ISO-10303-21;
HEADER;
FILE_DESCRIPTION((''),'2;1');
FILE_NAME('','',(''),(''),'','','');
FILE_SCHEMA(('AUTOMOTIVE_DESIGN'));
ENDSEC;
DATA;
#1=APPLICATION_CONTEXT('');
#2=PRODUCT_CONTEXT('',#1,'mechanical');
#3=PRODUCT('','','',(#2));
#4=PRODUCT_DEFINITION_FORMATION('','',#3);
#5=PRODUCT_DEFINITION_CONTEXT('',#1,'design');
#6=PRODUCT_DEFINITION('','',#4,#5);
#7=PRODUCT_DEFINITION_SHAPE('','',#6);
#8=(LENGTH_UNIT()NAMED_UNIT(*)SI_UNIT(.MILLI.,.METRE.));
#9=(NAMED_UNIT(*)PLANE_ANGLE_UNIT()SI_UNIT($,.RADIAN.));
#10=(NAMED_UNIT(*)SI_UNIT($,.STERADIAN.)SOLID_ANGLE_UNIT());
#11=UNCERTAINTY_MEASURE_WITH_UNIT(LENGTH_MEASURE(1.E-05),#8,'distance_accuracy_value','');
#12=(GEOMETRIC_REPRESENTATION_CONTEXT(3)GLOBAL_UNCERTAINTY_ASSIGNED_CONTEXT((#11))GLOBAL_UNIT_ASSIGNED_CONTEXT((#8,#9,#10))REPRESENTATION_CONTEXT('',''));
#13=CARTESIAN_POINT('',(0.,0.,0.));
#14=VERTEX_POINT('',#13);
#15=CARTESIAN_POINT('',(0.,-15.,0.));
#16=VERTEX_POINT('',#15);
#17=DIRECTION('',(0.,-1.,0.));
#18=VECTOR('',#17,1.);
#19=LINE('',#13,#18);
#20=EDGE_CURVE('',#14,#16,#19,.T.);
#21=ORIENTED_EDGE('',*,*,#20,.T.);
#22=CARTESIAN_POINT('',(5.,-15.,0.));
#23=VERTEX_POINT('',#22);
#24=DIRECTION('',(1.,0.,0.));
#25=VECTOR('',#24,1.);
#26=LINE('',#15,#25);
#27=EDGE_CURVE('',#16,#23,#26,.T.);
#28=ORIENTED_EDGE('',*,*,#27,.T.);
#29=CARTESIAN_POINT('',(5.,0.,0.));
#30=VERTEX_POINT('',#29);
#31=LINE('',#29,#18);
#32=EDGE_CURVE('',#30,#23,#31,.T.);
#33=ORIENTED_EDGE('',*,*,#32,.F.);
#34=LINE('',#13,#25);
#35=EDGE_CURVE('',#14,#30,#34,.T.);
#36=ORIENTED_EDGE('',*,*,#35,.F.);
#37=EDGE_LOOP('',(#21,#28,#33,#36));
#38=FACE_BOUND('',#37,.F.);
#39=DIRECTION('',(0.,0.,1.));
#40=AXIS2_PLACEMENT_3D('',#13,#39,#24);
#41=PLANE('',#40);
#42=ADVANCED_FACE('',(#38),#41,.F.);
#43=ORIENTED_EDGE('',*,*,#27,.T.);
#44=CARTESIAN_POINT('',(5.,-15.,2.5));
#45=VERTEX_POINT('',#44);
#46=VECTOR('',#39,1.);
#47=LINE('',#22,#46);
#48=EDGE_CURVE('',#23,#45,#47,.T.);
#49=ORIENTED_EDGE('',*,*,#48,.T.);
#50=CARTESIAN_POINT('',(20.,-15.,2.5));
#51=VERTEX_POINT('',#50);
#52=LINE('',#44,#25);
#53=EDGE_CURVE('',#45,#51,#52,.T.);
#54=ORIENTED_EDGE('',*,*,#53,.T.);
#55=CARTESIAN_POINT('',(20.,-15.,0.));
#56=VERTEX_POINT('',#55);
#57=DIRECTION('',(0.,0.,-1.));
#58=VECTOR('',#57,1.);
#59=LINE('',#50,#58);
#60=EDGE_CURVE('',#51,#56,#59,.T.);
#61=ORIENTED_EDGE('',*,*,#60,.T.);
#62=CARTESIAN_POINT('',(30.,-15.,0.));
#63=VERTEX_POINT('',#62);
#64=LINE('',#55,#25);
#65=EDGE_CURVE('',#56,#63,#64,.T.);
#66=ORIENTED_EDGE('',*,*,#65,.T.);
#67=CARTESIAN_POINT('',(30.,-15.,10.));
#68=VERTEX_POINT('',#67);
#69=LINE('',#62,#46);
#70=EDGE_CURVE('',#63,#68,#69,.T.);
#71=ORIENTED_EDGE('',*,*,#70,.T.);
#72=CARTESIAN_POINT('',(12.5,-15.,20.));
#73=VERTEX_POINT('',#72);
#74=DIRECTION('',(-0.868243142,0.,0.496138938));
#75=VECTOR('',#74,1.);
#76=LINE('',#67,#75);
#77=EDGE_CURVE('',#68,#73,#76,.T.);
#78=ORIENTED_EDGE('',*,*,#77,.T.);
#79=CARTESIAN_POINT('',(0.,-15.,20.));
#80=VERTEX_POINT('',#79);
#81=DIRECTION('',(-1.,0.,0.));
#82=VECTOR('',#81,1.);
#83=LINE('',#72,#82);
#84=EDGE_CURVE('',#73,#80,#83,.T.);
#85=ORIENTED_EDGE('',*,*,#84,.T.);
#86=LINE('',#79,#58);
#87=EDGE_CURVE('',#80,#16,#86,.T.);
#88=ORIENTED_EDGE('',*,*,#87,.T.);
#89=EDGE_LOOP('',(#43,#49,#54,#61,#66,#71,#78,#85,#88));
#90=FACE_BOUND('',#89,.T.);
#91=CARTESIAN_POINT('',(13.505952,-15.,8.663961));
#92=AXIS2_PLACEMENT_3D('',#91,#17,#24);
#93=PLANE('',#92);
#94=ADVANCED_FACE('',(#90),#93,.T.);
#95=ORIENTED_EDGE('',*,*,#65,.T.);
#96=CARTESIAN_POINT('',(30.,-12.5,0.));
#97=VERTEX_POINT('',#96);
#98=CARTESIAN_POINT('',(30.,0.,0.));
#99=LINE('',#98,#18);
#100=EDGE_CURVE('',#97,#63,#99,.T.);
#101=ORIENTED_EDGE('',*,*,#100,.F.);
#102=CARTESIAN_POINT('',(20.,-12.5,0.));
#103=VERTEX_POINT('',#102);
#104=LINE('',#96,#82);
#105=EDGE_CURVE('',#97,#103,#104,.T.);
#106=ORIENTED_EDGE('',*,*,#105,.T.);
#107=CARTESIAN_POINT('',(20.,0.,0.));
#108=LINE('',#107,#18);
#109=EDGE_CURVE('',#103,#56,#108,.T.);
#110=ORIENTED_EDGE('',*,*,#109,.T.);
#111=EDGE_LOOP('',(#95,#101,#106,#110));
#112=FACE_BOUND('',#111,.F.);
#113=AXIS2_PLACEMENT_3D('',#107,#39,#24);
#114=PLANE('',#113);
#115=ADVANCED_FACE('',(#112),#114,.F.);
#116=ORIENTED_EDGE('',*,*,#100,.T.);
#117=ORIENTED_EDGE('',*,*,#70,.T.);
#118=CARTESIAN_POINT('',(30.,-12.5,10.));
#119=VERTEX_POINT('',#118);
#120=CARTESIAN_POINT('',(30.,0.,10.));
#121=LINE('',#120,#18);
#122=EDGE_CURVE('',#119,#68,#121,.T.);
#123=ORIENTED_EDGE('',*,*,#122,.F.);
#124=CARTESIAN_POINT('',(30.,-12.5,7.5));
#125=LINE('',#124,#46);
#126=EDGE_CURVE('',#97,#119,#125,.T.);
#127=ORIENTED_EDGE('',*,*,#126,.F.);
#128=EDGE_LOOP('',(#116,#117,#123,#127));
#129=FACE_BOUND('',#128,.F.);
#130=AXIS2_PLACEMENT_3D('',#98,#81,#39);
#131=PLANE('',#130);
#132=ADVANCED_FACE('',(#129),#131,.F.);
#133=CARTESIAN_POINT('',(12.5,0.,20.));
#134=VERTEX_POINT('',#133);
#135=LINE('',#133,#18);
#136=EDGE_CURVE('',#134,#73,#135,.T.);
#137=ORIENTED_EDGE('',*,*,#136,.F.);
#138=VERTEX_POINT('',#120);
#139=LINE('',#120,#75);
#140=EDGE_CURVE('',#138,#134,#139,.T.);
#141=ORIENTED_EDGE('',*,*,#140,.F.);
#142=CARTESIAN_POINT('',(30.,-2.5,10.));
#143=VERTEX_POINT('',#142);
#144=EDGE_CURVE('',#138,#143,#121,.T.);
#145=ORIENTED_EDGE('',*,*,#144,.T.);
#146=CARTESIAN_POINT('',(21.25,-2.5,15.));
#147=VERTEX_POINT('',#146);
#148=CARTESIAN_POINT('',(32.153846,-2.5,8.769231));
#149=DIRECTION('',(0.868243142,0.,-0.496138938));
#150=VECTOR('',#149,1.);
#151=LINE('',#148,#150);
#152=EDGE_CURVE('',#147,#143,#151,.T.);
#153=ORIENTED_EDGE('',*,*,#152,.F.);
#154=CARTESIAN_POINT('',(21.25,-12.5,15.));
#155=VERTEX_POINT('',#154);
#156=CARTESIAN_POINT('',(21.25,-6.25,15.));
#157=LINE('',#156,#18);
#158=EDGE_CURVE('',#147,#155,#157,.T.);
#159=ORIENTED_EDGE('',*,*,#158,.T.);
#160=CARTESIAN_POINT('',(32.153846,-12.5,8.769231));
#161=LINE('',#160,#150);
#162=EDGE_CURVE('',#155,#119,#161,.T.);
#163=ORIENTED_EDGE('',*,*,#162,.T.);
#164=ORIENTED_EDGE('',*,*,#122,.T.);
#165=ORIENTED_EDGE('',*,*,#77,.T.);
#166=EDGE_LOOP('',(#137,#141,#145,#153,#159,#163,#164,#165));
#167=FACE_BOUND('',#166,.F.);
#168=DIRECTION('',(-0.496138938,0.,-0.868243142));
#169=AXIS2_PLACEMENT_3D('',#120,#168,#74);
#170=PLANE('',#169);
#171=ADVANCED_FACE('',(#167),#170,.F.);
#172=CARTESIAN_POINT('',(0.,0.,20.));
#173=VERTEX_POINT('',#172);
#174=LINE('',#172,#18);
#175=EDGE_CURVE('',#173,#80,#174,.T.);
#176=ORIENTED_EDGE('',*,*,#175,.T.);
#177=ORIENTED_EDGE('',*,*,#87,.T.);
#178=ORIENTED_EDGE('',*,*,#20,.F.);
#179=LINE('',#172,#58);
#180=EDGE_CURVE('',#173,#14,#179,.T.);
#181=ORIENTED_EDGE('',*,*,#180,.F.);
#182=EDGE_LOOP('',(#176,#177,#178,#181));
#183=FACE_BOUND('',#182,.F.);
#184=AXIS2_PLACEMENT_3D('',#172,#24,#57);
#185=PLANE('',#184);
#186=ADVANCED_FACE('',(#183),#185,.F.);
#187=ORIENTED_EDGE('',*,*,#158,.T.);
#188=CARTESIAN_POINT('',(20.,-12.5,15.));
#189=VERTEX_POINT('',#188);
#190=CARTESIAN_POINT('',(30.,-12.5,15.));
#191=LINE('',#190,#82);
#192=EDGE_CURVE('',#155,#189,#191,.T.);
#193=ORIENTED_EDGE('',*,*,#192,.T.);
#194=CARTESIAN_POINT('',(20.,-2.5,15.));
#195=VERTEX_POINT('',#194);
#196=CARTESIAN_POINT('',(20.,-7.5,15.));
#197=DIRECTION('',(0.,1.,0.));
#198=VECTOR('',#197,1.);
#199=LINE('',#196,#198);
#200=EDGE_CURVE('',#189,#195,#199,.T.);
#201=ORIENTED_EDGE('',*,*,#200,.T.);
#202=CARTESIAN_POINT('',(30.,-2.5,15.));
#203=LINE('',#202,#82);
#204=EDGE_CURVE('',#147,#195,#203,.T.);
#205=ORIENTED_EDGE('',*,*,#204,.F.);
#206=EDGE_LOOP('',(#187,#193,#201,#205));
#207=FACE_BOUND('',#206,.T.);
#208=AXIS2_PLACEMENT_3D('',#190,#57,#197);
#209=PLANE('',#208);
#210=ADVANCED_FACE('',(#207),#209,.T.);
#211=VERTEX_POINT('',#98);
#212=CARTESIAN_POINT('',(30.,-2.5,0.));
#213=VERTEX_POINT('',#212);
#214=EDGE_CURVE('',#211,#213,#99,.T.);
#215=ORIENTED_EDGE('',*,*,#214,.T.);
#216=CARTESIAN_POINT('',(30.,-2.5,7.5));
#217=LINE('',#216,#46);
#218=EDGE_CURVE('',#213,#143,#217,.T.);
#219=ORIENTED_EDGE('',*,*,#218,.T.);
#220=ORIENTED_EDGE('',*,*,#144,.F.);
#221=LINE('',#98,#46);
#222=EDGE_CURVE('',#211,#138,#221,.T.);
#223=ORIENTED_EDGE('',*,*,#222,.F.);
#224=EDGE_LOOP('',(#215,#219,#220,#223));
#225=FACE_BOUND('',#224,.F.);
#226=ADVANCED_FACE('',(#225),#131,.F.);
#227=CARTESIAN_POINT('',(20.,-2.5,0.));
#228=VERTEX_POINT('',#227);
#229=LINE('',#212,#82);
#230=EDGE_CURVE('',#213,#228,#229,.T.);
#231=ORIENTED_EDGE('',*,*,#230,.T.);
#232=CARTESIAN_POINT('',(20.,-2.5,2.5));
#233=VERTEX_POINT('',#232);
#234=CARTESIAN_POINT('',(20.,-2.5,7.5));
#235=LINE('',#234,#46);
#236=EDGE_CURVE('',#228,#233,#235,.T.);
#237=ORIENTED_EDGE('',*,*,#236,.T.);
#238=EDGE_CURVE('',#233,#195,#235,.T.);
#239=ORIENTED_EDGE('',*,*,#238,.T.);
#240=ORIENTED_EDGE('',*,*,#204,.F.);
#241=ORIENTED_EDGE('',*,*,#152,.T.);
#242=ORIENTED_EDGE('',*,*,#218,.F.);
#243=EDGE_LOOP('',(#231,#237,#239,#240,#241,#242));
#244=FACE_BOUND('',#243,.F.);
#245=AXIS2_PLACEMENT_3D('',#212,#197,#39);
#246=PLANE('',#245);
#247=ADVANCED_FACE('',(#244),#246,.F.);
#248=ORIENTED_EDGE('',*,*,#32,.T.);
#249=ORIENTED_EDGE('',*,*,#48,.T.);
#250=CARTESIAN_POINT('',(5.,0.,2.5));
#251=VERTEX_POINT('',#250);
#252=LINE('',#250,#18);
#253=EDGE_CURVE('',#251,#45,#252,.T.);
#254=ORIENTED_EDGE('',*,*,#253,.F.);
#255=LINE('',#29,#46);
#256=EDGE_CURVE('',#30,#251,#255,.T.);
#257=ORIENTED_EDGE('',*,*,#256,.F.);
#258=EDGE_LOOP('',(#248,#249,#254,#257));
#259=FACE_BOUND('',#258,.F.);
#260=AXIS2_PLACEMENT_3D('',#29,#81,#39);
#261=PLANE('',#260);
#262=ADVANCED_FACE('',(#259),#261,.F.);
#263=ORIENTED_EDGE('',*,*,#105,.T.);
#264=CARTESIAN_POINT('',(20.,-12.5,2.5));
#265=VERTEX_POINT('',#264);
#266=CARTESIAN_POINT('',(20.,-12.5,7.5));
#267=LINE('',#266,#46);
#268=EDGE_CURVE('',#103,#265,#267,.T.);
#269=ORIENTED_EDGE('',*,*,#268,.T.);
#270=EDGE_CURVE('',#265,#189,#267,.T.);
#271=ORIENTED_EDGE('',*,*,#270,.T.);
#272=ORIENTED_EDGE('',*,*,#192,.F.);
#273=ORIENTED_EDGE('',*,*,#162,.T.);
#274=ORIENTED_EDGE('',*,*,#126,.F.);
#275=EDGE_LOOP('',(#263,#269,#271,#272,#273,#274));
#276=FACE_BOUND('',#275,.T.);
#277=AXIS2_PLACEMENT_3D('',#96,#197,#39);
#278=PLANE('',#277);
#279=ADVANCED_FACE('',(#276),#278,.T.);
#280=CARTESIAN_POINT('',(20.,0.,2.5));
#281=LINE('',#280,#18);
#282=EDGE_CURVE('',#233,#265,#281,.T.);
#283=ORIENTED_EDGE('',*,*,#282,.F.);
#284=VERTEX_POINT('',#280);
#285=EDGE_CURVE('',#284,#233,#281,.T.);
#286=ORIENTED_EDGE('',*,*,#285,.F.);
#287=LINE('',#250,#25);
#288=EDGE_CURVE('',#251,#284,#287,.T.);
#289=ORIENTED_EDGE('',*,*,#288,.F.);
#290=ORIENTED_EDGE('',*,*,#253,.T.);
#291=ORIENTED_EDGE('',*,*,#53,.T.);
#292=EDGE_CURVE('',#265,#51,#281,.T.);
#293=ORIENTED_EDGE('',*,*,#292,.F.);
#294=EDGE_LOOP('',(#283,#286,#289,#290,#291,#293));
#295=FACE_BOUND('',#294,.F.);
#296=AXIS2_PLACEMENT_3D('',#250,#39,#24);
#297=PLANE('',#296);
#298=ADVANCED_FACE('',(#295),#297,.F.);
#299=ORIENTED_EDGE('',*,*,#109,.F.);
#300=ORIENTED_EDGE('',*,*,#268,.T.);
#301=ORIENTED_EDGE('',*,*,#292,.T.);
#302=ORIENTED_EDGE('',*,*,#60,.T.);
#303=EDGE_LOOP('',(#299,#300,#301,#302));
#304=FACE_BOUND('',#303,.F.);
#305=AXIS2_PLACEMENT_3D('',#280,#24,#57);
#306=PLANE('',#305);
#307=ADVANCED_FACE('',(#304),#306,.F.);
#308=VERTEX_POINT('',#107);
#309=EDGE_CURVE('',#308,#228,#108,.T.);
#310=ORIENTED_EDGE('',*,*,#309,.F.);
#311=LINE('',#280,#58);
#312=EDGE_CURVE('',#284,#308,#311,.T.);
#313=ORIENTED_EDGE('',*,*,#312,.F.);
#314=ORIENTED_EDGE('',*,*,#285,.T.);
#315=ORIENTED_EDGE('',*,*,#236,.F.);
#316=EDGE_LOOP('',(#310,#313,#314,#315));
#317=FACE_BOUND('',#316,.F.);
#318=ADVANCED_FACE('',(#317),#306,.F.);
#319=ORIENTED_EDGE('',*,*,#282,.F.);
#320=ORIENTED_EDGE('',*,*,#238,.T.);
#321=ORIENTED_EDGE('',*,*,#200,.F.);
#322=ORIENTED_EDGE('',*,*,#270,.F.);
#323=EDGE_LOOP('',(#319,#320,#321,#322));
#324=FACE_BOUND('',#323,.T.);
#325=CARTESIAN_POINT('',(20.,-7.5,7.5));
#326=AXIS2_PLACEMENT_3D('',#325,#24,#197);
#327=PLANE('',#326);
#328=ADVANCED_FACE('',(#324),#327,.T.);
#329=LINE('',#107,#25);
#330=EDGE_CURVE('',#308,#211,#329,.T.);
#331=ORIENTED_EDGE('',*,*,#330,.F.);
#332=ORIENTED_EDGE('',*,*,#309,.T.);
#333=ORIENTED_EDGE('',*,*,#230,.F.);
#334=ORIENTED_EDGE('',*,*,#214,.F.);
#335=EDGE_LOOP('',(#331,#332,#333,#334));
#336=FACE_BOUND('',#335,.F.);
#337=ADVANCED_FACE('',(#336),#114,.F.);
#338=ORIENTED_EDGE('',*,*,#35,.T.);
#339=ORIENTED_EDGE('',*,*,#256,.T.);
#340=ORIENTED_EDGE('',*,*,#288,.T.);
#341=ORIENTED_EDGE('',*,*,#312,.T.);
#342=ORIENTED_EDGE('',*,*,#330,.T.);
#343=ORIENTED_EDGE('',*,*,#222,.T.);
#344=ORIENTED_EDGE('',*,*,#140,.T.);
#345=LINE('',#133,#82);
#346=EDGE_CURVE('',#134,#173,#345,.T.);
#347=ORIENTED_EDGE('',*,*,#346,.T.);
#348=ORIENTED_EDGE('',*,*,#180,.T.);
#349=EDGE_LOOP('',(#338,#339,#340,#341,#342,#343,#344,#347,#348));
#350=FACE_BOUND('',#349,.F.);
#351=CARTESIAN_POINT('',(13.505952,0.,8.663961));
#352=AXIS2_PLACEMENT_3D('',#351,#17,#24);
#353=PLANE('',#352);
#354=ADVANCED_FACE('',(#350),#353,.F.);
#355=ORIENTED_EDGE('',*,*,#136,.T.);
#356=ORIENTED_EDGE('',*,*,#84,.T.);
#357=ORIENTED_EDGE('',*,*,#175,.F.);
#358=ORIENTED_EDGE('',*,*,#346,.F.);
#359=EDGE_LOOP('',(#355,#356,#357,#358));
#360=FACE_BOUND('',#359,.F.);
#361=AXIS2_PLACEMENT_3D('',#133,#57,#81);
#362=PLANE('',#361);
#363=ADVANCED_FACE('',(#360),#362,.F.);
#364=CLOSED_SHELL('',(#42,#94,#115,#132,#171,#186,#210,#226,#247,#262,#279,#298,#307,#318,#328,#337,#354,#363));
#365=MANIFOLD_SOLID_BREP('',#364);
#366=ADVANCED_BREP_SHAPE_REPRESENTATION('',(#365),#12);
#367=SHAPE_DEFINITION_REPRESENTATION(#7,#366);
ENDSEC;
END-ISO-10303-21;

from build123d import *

# Parameters (mm, degrees)
F1_DEPTH = 15
F2_W     = 10
F2_H     = 15
F3_DEPTH = 10


with BuildPart() as f1:
    # F0 (on Front) → F1 (new body)
    with BuildSketch(Plane.XZ):
        Polygon((0, 20), (0, 0), (5, 0), (5, 2.5), (20, 2.5), (20, 0), (30, 0), (30, 10), (12.5, 20), align=None)
    extrude(amount=F1_DEPTH)

    # F2 (on face) → F3 (cut)
    with BuildSketch(Plane.YZ.offset(30)):
        with Locations((-7.5, 7.5)):
            Rectangle(F2_W, F2_H)
    extrude(amount=-F3_DEPTH, mode=Mode.SUBTRACT)


solid = f1.part
